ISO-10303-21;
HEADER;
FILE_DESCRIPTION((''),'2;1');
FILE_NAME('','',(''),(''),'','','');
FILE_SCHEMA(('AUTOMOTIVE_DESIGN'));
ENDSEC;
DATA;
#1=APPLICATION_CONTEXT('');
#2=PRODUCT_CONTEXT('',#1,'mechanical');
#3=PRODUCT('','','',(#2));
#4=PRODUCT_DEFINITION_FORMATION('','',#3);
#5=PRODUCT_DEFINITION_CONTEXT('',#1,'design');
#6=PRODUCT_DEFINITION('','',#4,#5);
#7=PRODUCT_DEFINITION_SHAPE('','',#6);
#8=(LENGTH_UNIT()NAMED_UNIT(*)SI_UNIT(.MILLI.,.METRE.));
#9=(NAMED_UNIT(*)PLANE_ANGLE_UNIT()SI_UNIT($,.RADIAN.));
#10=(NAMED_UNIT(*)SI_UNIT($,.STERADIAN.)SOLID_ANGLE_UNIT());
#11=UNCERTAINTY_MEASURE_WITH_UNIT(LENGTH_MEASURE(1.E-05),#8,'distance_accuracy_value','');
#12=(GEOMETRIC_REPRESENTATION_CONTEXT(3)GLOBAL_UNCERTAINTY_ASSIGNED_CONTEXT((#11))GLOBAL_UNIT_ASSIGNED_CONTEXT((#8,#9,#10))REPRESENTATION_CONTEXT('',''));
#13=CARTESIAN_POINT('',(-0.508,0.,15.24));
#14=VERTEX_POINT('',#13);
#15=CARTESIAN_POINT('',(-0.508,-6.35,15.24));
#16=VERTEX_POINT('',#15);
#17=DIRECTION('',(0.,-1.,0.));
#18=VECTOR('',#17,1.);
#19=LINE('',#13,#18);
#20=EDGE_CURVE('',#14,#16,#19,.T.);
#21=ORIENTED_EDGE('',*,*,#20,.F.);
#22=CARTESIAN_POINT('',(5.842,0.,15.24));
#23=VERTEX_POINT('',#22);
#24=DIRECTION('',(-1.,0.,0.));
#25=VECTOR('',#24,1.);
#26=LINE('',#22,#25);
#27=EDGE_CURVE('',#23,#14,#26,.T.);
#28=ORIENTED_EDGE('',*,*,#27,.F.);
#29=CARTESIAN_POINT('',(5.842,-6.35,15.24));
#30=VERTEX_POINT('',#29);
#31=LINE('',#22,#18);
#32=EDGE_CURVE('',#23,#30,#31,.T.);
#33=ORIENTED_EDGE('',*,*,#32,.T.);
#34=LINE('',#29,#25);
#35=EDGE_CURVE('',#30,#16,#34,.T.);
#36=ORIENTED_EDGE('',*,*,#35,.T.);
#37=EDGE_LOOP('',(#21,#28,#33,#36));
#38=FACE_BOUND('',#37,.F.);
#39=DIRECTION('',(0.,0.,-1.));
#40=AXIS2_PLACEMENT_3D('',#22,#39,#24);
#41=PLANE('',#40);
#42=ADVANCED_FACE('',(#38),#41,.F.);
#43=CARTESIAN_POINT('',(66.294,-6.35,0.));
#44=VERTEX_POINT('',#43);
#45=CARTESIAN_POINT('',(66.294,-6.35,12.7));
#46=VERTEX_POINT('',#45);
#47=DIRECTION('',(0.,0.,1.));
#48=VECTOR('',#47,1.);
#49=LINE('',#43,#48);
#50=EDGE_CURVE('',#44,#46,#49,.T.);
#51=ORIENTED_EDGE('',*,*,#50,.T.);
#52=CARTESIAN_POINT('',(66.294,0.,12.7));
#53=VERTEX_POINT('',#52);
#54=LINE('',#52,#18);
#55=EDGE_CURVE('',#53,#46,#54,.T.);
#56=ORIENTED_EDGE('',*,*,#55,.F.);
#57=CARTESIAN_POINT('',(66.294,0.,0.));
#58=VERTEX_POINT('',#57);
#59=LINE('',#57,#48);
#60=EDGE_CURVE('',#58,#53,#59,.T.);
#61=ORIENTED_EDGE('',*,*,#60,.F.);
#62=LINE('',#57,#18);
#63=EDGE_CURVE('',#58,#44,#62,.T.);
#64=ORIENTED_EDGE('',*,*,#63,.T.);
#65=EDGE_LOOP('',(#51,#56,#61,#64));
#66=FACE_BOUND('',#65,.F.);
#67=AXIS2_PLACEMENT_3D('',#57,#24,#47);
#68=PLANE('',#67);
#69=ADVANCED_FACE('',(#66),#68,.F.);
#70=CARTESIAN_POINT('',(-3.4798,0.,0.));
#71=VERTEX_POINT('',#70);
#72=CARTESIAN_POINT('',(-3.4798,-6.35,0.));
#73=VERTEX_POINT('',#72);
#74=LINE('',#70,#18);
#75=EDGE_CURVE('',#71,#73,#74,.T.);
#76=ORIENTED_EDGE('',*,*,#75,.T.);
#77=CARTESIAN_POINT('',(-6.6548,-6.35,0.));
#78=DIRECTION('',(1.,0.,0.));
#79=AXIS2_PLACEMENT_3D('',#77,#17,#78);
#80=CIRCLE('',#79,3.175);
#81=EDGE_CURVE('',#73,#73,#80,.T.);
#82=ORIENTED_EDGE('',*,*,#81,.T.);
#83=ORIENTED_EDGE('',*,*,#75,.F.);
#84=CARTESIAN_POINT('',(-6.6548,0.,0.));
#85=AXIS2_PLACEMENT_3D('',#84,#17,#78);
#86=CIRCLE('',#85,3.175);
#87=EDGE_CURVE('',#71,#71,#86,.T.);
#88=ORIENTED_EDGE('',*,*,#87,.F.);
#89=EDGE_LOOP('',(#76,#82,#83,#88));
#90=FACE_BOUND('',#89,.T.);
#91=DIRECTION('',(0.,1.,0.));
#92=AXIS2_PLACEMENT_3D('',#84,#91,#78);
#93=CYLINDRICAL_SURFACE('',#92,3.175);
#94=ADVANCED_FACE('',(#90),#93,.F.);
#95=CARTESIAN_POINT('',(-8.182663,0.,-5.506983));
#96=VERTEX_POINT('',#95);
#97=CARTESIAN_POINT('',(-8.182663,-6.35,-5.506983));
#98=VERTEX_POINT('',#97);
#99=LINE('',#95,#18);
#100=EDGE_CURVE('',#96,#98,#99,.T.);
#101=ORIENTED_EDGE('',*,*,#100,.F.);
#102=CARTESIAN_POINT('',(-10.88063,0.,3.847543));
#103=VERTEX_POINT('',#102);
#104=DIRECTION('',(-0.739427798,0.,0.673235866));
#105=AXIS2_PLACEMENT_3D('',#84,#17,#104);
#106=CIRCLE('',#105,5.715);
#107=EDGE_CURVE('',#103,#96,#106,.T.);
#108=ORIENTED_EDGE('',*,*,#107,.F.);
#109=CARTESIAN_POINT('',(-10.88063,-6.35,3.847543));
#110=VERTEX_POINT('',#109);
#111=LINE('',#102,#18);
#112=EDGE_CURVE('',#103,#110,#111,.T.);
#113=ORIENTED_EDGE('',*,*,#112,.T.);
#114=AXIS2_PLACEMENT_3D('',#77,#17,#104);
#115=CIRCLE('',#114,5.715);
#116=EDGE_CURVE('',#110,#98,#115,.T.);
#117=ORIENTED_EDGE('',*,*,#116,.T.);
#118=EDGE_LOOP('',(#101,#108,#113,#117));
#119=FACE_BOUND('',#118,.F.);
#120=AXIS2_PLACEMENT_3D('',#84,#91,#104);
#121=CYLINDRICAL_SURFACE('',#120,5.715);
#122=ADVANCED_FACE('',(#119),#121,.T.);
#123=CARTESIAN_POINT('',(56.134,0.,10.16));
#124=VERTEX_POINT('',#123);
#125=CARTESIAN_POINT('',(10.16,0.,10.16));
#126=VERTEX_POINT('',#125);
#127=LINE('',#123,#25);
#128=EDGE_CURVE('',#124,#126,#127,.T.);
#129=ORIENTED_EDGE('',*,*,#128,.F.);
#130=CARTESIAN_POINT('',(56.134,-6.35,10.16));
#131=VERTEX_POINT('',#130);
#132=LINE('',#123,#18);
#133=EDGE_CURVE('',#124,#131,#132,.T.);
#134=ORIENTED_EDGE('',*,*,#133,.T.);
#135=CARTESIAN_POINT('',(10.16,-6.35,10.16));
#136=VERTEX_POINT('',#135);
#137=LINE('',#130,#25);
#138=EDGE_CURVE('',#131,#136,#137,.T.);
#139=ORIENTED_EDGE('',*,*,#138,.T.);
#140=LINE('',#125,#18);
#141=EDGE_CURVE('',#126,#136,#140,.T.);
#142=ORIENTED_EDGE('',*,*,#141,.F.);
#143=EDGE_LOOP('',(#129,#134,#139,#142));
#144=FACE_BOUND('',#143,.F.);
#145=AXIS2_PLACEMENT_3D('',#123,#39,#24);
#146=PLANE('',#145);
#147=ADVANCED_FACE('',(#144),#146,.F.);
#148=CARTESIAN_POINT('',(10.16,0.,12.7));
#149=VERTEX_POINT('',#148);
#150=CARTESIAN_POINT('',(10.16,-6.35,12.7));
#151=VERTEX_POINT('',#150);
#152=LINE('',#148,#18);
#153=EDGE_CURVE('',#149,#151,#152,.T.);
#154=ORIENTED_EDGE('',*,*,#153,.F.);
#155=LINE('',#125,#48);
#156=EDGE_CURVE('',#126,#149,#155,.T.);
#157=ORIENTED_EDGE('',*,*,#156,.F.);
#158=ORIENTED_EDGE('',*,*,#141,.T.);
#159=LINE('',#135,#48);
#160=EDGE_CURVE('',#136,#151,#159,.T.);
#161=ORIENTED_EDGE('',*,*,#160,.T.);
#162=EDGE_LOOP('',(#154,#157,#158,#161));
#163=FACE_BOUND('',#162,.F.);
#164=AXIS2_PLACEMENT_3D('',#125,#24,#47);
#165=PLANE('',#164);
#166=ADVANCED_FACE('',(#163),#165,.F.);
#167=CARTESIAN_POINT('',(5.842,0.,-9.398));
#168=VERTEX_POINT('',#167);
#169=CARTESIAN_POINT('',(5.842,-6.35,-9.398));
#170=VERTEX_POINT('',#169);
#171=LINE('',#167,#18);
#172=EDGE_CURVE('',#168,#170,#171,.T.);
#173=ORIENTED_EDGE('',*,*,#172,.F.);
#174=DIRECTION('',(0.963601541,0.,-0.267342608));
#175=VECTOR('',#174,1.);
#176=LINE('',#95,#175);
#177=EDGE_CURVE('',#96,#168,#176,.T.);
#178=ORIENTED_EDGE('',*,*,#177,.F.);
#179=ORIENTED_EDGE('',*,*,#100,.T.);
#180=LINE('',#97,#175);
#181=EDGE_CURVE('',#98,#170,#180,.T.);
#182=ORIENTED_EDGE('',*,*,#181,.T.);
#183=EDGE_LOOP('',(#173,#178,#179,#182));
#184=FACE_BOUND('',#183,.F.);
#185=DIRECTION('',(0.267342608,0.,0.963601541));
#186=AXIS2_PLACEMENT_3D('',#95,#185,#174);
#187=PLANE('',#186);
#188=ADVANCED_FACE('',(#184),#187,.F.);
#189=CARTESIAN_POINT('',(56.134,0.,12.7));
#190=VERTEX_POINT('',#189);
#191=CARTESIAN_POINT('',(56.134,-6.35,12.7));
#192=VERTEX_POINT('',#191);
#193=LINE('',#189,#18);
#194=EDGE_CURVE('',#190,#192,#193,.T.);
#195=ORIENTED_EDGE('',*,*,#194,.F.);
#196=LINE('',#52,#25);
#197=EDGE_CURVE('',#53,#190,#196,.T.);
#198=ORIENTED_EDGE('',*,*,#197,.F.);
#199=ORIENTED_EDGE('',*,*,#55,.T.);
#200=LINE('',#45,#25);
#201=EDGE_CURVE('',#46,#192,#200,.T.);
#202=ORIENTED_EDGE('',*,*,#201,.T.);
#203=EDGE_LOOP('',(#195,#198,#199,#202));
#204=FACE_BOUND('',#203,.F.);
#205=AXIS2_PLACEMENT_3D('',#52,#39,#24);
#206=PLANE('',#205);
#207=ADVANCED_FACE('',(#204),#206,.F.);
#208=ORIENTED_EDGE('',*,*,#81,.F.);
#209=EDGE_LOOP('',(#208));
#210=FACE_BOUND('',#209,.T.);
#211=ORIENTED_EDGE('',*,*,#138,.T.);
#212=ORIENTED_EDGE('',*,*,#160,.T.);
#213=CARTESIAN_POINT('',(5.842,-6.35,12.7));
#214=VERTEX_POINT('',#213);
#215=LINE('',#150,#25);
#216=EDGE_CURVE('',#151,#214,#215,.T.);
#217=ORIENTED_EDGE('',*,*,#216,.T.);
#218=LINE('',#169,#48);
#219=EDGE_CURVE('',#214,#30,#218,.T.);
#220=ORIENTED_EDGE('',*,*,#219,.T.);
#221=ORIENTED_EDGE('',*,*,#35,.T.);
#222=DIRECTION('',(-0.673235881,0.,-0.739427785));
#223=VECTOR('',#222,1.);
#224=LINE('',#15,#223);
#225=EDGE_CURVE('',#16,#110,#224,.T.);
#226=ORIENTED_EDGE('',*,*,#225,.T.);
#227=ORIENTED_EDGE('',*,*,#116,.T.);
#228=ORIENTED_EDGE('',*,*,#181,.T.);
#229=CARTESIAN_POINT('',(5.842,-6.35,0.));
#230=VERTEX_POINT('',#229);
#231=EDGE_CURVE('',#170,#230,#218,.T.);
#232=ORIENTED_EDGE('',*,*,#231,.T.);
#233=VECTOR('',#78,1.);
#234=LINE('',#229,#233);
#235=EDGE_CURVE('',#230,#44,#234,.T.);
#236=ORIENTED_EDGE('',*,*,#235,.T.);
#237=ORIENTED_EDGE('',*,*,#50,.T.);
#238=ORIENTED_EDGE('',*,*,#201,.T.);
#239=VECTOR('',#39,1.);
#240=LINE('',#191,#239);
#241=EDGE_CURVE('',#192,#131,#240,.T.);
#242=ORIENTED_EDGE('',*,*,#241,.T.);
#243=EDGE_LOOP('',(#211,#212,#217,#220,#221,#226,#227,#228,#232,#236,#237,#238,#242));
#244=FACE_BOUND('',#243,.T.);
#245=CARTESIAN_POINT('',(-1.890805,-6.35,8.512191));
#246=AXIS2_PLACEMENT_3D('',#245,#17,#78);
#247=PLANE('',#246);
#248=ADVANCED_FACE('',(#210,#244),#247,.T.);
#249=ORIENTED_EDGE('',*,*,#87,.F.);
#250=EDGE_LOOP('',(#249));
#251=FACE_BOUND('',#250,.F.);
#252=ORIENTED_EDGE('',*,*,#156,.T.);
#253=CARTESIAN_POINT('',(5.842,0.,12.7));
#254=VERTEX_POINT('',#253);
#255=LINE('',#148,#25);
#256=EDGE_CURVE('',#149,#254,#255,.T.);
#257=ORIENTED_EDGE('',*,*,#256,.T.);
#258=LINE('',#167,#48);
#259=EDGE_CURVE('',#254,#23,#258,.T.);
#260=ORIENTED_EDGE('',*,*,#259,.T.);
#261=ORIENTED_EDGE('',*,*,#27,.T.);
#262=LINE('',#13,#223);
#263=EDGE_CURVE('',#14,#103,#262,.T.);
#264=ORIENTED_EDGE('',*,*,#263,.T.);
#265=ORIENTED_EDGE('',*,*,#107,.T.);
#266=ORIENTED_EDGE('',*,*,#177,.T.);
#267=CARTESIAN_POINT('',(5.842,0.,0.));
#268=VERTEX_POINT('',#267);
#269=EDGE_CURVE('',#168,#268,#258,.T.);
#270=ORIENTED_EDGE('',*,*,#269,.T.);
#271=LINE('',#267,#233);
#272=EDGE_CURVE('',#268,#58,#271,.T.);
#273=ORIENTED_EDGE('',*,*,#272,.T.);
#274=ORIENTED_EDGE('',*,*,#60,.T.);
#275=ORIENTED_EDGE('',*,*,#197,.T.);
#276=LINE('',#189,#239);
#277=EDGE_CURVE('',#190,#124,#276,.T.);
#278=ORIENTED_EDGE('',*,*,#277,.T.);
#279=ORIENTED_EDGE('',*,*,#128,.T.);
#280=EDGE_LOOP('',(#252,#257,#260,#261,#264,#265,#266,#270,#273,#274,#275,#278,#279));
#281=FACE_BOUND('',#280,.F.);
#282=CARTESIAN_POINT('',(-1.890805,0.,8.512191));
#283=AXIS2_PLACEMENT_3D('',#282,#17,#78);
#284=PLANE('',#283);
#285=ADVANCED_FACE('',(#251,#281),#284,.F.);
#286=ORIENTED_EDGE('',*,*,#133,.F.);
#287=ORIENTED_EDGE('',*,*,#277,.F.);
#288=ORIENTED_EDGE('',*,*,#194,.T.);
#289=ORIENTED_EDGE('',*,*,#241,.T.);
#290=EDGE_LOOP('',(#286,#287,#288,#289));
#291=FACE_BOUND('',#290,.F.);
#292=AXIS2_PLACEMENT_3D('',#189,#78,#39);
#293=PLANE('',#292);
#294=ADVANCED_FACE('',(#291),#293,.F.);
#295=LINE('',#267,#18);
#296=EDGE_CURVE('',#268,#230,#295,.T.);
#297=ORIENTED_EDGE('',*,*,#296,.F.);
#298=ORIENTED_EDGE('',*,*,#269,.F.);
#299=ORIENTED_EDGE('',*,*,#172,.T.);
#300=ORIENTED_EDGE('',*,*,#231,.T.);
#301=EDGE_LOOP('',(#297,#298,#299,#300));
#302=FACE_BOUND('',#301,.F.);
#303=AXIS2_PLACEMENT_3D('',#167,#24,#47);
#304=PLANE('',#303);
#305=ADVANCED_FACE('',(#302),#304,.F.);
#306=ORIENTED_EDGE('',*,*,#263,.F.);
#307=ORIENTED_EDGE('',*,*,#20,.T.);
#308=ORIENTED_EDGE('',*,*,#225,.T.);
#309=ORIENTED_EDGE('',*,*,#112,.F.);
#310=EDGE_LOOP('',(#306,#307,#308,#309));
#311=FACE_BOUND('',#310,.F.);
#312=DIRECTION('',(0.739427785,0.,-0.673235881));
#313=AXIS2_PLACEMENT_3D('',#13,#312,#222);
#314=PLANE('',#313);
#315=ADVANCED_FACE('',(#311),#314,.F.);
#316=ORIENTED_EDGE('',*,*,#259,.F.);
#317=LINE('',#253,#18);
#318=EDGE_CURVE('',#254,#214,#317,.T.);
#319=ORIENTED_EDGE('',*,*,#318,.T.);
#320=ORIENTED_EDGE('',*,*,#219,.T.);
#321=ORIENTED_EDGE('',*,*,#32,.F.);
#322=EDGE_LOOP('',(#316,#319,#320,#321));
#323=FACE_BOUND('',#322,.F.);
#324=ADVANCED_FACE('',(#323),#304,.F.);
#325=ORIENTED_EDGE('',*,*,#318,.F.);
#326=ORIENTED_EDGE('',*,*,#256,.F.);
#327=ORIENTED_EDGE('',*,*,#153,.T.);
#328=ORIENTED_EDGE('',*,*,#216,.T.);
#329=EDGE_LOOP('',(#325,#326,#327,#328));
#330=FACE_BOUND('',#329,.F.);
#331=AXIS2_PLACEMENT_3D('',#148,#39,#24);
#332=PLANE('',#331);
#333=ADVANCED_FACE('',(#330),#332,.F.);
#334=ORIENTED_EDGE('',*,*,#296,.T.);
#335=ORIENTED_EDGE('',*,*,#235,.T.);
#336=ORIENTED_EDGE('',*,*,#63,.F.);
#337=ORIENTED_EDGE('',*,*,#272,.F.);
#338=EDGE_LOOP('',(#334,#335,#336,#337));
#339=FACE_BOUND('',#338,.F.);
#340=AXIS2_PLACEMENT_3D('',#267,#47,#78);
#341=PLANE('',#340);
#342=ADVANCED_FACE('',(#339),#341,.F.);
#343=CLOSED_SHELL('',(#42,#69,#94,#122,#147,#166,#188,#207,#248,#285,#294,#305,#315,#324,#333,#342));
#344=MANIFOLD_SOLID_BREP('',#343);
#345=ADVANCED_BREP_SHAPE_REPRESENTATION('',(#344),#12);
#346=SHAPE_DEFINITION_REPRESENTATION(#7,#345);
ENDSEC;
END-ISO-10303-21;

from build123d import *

# Parameters (mm, degrees)
F0_R     = 3.175
F0_W     = 5.842
F0_H     = 12.7
F1_DEPTH = 6.35
F2_DEPTH = 6.35


with BuildPart() as f1:
    # F0 (on Front) → F1 (new body)
    with BuildSketch(Plane.XZ):
        with BuildLine():
            Line((-0.9398, 0), (0, 0))
            Line((0, 0), (0, 12.7))
            Line((0, 12.7), (5.842, 12.7))
            Line((5.842, 12.7), (5.842, 15.24))
            Line((5.842, 15.24), (-0.508, 15.24))
            Line((-0.508, 15.24), (-10.88063, 3.847543))
            ThreePointArc((-10.88063, 3.847543), (-4.591961, 5.329721), (-0.9398, 0))
        make_face()
        with BuildLine():
            ThreePointArc((-8.182663, -5.506983), (-3.195791, -4.549339), (-0.9398, 0))
            ThreePointArc((-0.9398, 0), (-4.591961, 5.329721), (-10.88063, 3.847543))
            ThreePointArc((-10.88063, 3.847543), (-12.145978, -1.583727), (-8.182663, -5.506983))
        make_face()
        with Locations((-6.6548, 0)):
            Circle(F0_R, mode=Mode.SUBTRACT)
        with BuildLine():
            Line((5.842, 0), (0, 0))
            Line((0, 0), (-0.9398, 0))
            ThreePointArc((-0.9398, 0), (-3.195791, -4.549339), (-8.182663, -5.506983))
            Line((-8.182663, -5.506983), (5.842, -9.398))
            Line((5.842, -9.398), (5.842, 0))
        make_face()
        with Locations((2.921, 6.35)):
            Rectangle(F0_W, F0_H)
    extrude(amount=F1_DEPTH)

    # F0 (on Front) → F2 (join)
    with BuildSketch(Plane.XZ):
        Polygon((5.842, 12.7), (5.842, 0), (66.294, 0), (66.294, 12.7), (56.134, 12.7), (56.134, 10.16), (10.16, 10.16), (10.16, 12.7), align=None)
    extrude(amount=F2_DEPTH)


solid = f1.part
